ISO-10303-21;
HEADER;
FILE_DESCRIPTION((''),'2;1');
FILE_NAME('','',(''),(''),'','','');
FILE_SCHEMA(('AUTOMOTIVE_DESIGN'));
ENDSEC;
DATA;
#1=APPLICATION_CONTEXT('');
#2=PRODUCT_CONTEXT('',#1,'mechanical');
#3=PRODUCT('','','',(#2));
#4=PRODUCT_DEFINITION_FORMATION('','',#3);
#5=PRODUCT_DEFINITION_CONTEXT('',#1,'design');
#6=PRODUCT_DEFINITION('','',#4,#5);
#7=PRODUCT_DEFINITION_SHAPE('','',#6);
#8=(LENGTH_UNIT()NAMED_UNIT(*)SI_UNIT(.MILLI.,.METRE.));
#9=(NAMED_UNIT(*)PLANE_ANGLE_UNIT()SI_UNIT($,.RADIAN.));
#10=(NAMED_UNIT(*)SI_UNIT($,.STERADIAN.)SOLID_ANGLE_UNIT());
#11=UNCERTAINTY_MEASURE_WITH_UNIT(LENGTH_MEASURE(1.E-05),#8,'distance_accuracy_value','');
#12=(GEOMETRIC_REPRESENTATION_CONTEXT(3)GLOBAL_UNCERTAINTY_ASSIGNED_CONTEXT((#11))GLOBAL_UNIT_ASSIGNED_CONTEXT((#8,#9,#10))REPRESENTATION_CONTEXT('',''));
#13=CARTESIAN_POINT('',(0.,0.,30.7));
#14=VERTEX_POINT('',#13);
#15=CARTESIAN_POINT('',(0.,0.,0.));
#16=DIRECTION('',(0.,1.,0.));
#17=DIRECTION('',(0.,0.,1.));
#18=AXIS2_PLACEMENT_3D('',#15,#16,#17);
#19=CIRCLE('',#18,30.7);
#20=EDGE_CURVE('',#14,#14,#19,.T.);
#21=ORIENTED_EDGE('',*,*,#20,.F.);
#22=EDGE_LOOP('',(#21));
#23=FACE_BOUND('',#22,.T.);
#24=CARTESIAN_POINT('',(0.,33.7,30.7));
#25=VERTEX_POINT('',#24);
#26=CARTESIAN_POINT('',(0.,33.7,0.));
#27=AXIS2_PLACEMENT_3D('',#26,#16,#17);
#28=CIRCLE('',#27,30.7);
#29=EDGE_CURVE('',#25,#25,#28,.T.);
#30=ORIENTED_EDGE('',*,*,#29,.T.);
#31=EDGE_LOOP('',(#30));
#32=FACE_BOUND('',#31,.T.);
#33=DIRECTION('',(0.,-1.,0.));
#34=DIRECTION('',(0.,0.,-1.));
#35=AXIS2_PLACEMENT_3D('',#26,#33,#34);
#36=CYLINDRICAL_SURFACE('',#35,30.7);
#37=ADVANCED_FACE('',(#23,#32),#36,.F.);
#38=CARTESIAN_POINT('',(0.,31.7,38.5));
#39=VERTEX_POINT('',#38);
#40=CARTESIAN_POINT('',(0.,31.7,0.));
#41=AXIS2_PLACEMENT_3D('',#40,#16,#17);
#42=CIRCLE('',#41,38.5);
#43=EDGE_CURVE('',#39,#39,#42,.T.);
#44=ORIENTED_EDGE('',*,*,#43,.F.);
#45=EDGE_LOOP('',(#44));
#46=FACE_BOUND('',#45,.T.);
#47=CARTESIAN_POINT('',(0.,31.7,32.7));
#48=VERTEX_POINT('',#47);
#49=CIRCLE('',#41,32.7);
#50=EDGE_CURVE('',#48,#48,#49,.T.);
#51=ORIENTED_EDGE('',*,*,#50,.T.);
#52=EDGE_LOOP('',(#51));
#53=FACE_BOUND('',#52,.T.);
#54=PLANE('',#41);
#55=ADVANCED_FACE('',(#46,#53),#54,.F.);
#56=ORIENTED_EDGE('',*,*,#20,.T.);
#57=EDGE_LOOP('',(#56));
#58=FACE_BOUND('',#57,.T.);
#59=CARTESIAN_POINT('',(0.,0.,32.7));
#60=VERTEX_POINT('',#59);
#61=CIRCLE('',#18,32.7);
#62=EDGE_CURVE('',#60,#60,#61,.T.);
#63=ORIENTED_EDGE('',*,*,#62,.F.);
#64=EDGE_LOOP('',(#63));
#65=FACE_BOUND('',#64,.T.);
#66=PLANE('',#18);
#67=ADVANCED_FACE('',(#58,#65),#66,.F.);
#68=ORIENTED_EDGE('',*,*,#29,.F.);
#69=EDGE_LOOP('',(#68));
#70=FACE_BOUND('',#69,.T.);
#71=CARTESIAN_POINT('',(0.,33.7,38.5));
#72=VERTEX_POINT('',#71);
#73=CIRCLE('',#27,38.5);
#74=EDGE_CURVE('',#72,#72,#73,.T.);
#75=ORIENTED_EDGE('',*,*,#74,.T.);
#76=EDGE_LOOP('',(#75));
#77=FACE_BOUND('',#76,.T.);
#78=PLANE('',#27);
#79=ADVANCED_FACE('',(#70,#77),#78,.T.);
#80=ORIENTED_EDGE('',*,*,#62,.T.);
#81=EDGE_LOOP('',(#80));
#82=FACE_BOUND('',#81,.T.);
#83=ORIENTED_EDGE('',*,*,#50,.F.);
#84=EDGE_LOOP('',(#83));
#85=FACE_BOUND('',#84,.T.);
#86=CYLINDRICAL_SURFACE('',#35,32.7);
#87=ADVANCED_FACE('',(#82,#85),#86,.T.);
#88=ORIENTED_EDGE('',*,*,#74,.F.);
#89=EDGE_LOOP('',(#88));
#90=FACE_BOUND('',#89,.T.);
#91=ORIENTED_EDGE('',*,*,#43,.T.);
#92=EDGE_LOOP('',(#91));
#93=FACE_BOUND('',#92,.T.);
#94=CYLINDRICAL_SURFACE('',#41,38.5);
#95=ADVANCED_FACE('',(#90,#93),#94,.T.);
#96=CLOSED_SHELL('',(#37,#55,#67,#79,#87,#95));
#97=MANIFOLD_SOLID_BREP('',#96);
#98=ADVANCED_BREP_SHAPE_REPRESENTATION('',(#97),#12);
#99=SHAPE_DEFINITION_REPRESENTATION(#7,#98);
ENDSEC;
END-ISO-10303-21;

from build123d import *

# Parameters (mm, degrees)
SKETCH1_R           = 32.7
SKETCH1_R_2         = 30.7
BOSS_EXTRUDE1_DEPTH = 33.7
BOSS_EXTRUDE2_START = -2
SKETCH2_R           = 38.5
SKETCH2_R_2         = 30.7
BOSS_EXTRUDE2_DEPTH = 2


with BuildPart() as part:
    # Sketch1 → Boss-Extrude1 (new body)
    with BuildSketch(Plane(origin=(0, 0, 0), x_dir=(1, 0, 0), z_dir=(0, 1, 0))):
        with Locations(Location((0, 0, 0), (0, 0, 270))):
            Circle(SKETCH1_R)
        with Locations(Location((0, 0, 0), (0, 0, 270))):
            Circle(SKETCH1_R_2, mode=Mode.SUBTRACT)
    extrude(amount=BOSS_EXTRUDE1_DEPTH)

    # Sketch2 → Boss-Extrude2 (add)
    with BuildSketch(Plane(origin=(0, 33.7, 0), x_dir=(1, 0, 0), z_dir=(0, 1, 0)).offset(BOSS_EXTRUDE2_START)):
        with Locations(Location((0, 0, 0), (0, 0, 270))):
            Circle(SKETCH2_R)
        with Locations(Location((0, 0, 0), (0, 0, 270))):
            Circle(SKETCH2_R_2, mode=Mode.SUBTRACT)
    extrude(amount=BOSS_EXTRUDE2_DEPTH)


solid = part.part
